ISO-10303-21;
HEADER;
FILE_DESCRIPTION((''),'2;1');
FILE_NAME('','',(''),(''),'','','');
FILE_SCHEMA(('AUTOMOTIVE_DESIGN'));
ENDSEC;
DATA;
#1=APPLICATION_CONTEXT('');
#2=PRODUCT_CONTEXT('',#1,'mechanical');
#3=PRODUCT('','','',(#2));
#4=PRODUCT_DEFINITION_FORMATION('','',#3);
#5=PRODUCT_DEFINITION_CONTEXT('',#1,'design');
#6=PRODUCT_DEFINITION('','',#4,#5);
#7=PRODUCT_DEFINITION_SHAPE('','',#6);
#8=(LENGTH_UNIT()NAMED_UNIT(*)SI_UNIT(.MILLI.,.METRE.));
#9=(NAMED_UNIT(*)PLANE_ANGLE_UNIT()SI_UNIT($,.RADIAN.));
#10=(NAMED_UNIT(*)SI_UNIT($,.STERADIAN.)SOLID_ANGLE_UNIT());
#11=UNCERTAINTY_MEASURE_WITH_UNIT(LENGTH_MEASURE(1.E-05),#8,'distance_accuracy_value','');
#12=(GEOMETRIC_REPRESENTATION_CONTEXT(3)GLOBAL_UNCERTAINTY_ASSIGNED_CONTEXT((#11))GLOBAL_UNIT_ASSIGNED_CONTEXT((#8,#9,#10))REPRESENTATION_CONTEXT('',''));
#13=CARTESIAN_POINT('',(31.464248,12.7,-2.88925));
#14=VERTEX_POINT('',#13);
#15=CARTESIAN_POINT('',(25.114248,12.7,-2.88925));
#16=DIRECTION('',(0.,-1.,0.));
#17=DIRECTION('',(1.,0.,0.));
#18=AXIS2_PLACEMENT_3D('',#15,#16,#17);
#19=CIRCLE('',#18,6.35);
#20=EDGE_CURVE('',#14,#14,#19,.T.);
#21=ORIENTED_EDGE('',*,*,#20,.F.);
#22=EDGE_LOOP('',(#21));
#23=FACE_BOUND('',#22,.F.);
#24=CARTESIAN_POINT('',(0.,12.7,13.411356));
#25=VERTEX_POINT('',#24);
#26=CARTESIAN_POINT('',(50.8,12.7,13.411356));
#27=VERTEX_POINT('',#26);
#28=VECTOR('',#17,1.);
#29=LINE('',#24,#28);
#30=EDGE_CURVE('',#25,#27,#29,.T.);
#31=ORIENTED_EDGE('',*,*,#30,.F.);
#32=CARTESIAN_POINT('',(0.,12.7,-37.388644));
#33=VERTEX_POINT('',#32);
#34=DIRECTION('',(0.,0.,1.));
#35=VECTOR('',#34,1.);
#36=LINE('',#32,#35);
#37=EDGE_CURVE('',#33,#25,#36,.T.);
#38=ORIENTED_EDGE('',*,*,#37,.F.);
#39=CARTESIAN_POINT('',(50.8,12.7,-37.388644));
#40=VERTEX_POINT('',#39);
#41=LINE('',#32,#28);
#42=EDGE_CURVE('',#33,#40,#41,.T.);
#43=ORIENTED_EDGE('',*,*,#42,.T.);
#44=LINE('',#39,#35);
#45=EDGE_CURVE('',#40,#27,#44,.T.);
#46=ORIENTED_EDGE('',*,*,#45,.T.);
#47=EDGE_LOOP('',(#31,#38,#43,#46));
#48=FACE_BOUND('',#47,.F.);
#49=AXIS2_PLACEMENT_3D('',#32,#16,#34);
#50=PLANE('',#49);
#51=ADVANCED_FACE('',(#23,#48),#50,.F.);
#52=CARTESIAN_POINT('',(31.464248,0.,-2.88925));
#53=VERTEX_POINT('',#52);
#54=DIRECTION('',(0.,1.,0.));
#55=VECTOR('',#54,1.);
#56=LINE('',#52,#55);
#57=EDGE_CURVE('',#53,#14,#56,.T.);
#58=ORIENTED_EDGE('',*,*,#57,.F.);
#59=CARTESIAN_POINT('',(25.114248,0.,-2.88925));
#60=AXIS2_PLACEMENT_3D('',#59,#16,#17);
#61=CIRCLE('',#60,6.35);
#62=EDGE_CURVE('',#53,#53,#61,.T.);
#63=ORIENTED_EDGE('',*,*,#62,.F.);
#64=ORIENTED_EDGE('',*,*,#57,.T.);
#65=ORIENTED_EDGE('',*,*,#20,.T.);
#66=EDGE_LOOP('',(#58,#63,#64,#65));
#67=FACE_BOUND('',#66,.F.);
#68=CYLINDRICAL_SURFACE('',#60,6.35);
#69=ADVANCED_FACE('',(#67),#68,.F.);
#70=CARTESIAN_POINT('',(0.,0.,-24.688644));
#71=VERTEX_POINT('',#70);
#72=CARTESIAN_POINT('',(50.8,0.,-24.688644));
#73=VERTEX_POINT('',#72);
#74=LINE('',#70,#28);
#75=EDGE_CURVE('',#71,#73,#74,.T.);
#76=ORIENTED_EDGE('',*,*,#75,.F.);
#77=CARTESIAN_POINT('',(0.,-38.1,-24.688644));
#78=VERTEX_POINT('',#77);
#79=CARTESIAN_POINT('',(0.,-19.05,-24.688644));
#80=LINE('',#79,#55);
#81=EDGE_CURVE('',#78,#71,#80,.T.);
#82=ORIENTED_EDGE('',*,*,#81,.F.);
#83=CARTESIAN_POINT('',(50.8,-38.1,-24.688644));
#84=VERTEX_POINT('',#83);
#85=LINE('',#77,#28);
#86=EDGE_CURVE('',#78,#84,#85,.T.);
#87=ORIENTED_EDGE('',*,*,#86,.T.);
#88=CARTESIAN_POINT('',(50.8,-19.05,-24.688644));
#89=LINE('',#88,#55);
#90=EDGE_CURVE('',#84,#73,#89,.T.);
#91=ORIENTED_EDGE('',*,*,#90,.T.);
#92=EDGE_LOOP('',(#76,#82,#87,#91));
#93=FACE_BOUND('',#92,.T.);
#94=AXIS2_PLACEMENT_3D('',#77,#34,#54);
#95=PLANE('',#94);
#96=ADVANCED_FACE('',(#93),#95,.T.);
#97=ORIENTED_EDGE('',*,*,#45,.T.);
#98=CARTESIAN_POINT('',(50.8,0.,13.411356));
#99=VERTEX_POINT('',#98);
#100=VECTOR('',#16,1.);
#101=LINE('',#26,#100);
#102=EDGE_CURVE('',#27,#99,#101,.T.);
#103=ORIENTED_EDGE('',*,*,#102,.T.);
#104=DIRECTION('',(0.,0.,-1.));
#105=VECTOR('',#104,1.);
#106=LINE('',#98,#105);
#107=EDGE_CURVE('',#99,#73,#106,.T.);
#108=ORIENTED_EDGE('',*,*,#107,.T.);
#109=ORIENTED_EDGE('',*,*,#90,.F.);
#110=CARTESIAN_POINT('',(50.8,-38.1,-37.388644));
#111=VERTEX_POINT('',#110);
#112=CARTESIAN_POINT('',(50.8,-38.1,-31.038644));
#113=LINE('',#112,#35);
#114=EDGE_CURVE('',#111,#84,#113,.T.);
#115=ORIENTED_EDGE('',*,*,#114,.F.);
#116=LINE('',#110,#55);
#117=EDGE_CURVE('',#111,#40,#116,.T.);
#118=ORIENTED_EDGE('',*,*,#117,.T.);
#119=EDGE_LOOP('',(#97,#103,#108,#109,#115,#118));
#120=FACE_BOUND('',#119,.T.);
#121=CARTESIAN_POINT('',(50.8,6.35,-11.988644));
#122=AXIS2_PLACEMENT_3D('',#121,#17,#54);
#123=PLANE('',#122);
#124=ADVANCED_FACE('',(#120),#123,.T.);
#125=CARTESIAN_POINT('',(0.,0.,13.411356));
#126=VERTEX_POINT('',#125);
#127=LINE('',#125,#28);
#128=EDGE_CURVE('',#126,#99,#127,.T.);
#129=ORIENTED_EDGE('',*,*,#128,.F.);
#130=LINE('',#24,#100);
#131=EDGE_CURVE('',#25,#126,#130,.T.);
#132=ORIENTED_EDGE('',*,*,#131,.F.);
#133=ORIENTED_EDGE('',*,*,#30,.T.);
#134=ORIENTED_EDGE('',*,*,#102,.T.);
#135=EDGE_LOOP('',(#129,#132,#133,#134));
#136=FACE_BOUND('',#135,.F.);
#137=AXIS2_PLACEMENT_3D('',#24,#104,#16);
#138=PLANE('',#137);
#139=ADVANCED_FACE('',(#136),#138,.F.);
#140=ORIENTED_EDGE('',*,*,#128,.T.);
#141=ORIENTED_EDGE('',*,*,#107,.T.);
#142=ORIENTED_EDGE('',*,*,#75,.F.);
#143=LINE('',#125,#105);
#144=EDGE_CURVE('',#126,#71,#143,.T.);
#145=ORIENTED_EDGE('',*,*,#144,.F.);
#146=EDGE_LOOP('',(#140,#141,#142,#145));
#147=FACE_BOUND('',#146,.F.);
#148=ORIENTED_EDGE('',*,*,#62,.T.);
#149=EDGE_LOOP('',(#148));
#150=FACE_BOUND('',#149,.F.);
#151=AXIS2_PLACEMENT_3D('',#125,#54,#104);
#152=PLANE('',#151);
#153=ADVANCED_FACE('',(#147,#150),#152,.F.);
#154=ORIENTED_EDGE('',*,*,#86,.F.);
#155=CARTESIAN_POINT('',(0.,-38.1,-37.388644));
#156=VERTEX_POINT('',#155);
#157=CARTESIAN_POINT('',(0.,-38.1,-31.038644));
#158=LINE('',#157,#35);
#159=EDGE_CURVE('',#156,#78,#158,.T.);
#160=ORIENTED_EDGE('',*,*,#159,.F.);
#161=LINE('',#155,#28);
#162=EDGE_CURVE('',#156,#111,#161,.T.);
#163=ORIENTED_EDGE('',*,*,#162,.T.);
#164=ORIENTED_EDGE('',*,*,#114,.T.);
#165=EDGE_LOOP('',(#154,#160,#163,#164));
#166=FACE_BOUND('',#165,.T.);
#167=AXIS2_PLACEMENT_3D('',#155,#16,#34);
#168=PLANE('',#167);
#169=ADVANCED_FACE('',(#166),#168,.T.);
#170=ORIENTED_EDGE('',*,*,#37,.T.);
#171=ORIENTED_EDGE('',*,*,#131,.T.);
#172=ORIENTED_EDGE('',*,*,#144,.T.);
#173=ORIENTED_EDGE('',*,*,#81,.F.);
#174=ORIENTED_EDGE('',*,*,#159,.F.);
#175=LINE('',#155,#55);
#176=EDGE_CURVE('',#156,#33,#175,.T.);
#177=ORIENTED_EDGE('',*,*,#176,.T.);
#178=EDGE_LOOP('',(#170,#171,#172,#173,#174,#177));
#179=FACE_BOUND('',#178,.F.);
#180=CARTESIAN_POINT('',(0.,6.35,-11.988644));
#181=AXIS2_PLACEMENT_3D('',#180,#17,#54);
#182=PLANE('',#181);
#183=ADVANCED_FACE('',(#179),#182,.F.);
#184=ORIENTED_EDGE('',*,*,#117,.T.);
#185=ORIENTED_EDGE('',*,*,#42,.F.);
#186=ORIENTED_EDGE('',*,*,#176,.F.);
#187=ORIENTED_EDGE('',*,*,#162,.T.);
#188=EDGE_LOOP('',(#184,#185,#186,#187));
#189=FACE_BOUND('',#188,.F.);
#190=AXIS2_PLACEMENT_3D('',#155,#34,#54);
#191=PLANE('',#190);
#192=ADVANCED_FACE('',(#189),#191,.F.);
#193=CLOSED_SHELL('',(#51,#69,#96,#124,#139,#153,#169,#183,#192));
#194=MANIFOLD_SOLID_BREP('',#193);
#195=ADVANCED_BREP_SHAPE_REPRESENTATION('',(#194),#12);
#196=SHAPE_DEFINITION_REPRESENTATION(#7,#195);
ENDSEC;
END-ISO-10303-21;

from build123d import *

# Parameters (mm, degrees)
F0_W     = 38.1
F0_H     = 12.7
F1_DEPTH = 50.8
F2_R     = 6.35
F3_DEPTH = 25.4


with BuildPart() as f1:
    # F0 (on Right) → F1 (new body)
    with BuildSketch(Plane.YZ):
        Polygon((12.7, 13.411356), (0, 13.411356), (0, -24.688644), (0, -37.388644), (12.7, -37.388644), align=None)
        with Locations((-19.05, -31.038644)):
            Rectangle(F0_W, F0_H)
    extrude(amount=F1_DEPTH)

    # F2 (on Front) → F3 (cut)
    with BuildSketch(Plane.XZ):
        with Locations((25.114248, -2.88925)):
            Circle(F2_R)
    extrude(amount=-F3_DEPTH, mode=Mode.SUBTRACT)


solid = f1.part
